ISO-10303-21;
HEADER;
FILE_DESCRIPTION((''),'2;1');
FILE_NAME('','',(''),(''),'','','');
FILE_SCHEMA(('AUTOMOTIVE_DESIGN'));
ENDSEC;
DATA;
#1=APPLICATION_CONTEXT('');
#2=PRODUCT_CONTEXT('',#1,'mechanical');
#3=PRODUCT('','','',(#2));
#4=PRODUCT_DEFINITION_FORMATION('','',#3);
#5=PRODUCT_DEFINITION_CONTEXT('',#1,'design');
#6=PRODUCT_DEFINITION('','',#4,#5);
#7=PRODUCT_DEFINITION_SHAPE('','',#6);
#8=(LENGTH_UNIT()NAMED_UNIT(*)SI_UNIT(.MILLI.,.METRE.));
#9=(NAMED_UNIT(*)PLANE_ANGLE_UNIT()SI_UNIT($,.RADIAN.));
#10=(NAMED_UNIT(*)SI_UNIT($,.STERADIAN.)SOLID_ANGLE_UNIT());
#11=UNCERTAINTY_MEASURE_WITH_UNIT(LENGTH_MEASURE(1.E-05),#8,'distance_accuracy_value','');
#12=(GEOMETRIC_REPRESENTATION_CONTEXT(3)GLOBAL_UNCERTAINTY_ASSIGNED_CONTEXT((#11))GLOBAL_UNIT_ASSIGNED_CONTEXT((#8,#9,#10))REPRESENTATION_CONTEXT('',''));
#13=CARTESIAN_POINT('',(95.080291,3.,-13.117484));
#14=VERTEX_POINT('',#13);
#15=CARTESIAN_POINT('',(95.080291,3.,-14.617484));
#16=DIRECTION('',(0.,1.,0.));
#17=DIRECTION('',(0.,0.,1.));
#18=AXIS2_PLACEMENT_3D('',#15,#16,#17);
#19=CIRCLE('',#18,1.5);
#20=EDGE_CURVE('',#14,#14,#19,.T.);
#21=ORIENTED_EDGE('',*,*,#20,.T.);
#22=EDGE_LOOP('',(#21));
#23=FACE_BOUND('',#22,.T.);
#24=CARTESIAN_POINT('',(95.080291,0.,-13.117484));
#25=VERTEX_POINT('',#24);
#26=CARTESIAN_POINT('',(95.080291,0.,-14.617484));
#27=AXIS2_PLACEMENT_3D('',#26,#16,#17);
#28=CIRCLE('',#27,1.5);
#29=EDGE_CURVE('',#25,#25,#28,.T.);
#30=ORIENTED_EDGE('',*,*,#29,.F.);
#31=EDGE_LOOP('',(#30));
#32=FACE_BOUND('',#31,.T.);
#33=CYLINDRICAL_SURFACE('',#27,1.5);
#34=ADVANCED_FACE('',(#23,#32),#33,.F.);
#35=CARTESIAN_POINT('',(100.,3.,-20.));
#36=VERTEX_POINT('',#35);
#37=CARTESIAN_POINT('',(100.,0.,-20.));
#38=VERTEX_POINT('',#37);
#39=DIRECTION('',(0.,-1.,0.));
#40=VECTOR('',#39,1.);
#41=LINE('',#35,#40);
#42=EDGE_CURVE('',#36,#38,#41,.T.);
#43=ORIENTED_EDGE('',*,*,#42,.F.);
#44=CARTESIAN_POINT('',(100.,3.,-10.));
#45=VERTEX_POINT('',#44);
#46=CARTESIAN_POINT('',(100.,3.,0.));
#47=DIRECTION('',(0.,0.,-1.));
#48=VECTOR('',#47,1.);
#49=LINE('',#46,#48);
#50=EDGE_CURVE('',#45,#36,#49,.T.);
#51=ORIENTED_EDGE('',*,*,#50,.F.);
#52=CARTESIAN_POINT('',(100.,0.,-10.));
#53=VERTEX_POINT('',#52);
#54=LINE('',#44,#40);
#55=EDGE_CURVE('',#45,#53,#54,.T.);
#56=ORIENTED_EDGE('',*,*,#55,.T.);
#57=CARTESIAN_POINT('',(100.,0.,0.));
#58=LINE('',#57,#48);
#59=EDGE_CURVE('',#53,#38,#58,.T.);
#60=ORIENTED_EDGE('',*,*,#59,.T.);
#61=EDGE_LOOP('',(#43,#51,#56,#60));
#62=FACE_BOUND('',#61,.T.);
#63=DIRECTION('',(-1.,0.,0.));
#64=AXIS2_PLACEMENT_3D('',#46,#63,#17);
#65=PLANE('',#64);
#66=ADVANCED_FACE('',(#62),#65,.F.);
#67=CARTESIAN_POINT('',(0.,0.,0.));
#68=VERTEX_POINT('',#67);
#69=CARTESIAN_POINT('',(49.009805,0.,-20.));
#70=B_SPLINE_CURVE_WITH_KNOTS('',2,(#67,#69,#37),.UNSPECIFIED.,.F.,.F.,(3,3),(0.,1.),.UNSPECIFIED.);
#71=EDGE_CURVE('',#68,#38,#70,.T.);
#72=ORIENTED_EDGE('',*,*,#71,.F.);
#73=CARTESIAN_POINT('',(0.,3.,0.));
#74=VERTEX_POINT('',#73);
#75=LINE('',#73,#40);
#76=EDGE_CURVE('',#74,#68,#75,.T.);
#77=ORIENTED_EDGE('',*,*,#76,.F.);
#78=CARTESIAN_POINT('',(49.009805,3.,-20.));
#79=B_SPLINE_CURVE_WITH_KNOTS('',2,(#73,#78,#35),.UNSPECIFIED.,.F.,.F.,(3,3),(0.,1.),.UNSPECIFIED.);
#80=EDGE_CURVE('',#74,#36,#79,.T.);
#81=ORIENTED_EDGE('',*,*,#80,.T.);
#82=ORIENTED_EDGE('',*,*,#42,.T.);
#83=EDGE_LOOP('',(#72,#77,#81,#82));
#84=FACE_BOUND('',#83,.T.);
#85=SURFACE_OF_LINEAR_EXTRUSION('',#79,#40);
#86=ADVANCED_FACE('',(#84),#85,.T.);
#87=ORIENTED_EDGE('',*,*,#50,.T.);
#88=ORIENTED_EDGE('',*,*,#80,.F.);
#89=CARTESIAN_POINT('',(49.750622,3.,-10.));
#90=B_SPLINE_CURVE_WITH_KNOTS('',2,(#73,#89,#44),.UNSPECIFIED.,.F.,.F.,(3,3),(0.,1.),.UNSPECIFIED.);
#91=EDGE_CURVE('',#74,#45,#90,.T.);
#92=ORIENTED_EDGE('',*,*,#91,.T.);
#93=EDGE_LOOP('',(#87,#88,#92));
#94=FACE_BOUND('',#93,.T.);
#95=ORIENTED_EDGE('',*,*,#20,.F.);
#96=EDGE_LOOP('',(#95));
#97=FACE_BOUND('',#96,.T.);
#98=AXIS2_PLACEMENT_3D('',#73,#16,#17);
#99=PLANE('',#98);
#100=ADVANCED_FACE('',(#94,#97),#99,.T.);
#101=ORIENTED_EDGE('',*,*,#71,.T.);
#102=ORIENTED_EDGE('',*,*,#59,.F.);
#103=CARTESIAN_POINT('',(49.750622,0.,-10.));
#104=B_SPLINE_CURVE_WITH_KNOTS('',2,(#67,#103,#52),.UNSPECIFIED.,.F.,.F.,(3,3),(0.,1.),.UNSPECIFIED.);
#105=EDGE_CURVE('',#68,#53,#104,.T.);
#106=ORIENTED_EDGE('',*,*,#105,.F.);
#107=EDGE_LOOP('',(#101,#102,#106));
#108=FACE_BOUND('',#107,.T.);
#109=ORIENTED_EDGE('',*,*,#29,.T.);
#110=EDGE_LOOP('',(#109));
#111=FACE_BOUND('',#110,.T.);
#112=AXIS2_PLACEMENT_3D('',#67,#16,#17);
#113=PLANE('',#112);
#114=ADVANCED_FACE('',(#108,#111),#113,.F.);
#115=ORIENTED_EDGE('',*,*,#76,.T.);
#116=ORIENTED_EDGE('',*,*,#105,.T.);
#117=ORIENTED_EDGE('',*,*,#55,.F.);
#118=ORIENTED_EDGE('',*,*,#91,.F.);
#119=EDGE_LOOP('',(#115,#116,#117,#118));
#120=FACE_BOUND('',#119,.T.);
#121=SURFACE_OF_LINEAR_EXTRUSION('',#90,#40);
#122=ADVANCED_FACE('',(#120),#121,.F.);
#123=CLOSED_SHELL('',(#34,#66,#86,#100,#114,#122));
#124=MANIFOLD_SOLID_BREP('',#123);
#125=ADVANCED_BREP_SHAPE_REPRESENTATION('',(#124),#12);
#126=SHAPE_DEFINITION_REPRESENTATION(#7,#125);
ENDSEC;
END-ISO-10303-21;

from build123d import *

# Parameters (mm, degrees)
BOSS_EXTRUDE1_DEPTH = 3
SKETCH2_R           = 1.5
CUT_EXTRUDE1_DEPTH  = 3


with BuildPart() as part:
    # Sketch1 → Boss-Extrude1 (new body)
    with BuildSketch(Plane(origin=(0, 0, 0), x_dir=(1, 0, 0), z_dir=(0, 1, 0))):
        with BuildLine():
            add(Edge.make_bspline(
                [(0, 0), (49.009804864, 20), (100, 20)],
                knots=[0, 0, 0, 1, 1, 1], degree=2))
            add(Edge.make_bspline(
                [(0, 0), (49.750621894, 10), (100, 10)],
                knots=[0, 0, 0, 1, 1, 1], degree=2))
            Line((100, 10), (100, 20))
        make_face()
    extrude(amount=BOSS_EXTRUDE1_DEPTH)

    # Sketch2 → Cut-Extrude1 (cut)
    with BuildSketch(Plane(origin=(0, 3, 0), x_dir=(1, 0, 0), z_dir=(0, 1, 0))):
        with Locations(Location((95.080291249, 14.617484051, 0), (0, 0, 270))):
            Circle(SKETCH2_R)
    extrude(amount=-CUT_EXTRUDE1_DEPTH, mode=Mode.SUBTRACT)


solid = part.part
